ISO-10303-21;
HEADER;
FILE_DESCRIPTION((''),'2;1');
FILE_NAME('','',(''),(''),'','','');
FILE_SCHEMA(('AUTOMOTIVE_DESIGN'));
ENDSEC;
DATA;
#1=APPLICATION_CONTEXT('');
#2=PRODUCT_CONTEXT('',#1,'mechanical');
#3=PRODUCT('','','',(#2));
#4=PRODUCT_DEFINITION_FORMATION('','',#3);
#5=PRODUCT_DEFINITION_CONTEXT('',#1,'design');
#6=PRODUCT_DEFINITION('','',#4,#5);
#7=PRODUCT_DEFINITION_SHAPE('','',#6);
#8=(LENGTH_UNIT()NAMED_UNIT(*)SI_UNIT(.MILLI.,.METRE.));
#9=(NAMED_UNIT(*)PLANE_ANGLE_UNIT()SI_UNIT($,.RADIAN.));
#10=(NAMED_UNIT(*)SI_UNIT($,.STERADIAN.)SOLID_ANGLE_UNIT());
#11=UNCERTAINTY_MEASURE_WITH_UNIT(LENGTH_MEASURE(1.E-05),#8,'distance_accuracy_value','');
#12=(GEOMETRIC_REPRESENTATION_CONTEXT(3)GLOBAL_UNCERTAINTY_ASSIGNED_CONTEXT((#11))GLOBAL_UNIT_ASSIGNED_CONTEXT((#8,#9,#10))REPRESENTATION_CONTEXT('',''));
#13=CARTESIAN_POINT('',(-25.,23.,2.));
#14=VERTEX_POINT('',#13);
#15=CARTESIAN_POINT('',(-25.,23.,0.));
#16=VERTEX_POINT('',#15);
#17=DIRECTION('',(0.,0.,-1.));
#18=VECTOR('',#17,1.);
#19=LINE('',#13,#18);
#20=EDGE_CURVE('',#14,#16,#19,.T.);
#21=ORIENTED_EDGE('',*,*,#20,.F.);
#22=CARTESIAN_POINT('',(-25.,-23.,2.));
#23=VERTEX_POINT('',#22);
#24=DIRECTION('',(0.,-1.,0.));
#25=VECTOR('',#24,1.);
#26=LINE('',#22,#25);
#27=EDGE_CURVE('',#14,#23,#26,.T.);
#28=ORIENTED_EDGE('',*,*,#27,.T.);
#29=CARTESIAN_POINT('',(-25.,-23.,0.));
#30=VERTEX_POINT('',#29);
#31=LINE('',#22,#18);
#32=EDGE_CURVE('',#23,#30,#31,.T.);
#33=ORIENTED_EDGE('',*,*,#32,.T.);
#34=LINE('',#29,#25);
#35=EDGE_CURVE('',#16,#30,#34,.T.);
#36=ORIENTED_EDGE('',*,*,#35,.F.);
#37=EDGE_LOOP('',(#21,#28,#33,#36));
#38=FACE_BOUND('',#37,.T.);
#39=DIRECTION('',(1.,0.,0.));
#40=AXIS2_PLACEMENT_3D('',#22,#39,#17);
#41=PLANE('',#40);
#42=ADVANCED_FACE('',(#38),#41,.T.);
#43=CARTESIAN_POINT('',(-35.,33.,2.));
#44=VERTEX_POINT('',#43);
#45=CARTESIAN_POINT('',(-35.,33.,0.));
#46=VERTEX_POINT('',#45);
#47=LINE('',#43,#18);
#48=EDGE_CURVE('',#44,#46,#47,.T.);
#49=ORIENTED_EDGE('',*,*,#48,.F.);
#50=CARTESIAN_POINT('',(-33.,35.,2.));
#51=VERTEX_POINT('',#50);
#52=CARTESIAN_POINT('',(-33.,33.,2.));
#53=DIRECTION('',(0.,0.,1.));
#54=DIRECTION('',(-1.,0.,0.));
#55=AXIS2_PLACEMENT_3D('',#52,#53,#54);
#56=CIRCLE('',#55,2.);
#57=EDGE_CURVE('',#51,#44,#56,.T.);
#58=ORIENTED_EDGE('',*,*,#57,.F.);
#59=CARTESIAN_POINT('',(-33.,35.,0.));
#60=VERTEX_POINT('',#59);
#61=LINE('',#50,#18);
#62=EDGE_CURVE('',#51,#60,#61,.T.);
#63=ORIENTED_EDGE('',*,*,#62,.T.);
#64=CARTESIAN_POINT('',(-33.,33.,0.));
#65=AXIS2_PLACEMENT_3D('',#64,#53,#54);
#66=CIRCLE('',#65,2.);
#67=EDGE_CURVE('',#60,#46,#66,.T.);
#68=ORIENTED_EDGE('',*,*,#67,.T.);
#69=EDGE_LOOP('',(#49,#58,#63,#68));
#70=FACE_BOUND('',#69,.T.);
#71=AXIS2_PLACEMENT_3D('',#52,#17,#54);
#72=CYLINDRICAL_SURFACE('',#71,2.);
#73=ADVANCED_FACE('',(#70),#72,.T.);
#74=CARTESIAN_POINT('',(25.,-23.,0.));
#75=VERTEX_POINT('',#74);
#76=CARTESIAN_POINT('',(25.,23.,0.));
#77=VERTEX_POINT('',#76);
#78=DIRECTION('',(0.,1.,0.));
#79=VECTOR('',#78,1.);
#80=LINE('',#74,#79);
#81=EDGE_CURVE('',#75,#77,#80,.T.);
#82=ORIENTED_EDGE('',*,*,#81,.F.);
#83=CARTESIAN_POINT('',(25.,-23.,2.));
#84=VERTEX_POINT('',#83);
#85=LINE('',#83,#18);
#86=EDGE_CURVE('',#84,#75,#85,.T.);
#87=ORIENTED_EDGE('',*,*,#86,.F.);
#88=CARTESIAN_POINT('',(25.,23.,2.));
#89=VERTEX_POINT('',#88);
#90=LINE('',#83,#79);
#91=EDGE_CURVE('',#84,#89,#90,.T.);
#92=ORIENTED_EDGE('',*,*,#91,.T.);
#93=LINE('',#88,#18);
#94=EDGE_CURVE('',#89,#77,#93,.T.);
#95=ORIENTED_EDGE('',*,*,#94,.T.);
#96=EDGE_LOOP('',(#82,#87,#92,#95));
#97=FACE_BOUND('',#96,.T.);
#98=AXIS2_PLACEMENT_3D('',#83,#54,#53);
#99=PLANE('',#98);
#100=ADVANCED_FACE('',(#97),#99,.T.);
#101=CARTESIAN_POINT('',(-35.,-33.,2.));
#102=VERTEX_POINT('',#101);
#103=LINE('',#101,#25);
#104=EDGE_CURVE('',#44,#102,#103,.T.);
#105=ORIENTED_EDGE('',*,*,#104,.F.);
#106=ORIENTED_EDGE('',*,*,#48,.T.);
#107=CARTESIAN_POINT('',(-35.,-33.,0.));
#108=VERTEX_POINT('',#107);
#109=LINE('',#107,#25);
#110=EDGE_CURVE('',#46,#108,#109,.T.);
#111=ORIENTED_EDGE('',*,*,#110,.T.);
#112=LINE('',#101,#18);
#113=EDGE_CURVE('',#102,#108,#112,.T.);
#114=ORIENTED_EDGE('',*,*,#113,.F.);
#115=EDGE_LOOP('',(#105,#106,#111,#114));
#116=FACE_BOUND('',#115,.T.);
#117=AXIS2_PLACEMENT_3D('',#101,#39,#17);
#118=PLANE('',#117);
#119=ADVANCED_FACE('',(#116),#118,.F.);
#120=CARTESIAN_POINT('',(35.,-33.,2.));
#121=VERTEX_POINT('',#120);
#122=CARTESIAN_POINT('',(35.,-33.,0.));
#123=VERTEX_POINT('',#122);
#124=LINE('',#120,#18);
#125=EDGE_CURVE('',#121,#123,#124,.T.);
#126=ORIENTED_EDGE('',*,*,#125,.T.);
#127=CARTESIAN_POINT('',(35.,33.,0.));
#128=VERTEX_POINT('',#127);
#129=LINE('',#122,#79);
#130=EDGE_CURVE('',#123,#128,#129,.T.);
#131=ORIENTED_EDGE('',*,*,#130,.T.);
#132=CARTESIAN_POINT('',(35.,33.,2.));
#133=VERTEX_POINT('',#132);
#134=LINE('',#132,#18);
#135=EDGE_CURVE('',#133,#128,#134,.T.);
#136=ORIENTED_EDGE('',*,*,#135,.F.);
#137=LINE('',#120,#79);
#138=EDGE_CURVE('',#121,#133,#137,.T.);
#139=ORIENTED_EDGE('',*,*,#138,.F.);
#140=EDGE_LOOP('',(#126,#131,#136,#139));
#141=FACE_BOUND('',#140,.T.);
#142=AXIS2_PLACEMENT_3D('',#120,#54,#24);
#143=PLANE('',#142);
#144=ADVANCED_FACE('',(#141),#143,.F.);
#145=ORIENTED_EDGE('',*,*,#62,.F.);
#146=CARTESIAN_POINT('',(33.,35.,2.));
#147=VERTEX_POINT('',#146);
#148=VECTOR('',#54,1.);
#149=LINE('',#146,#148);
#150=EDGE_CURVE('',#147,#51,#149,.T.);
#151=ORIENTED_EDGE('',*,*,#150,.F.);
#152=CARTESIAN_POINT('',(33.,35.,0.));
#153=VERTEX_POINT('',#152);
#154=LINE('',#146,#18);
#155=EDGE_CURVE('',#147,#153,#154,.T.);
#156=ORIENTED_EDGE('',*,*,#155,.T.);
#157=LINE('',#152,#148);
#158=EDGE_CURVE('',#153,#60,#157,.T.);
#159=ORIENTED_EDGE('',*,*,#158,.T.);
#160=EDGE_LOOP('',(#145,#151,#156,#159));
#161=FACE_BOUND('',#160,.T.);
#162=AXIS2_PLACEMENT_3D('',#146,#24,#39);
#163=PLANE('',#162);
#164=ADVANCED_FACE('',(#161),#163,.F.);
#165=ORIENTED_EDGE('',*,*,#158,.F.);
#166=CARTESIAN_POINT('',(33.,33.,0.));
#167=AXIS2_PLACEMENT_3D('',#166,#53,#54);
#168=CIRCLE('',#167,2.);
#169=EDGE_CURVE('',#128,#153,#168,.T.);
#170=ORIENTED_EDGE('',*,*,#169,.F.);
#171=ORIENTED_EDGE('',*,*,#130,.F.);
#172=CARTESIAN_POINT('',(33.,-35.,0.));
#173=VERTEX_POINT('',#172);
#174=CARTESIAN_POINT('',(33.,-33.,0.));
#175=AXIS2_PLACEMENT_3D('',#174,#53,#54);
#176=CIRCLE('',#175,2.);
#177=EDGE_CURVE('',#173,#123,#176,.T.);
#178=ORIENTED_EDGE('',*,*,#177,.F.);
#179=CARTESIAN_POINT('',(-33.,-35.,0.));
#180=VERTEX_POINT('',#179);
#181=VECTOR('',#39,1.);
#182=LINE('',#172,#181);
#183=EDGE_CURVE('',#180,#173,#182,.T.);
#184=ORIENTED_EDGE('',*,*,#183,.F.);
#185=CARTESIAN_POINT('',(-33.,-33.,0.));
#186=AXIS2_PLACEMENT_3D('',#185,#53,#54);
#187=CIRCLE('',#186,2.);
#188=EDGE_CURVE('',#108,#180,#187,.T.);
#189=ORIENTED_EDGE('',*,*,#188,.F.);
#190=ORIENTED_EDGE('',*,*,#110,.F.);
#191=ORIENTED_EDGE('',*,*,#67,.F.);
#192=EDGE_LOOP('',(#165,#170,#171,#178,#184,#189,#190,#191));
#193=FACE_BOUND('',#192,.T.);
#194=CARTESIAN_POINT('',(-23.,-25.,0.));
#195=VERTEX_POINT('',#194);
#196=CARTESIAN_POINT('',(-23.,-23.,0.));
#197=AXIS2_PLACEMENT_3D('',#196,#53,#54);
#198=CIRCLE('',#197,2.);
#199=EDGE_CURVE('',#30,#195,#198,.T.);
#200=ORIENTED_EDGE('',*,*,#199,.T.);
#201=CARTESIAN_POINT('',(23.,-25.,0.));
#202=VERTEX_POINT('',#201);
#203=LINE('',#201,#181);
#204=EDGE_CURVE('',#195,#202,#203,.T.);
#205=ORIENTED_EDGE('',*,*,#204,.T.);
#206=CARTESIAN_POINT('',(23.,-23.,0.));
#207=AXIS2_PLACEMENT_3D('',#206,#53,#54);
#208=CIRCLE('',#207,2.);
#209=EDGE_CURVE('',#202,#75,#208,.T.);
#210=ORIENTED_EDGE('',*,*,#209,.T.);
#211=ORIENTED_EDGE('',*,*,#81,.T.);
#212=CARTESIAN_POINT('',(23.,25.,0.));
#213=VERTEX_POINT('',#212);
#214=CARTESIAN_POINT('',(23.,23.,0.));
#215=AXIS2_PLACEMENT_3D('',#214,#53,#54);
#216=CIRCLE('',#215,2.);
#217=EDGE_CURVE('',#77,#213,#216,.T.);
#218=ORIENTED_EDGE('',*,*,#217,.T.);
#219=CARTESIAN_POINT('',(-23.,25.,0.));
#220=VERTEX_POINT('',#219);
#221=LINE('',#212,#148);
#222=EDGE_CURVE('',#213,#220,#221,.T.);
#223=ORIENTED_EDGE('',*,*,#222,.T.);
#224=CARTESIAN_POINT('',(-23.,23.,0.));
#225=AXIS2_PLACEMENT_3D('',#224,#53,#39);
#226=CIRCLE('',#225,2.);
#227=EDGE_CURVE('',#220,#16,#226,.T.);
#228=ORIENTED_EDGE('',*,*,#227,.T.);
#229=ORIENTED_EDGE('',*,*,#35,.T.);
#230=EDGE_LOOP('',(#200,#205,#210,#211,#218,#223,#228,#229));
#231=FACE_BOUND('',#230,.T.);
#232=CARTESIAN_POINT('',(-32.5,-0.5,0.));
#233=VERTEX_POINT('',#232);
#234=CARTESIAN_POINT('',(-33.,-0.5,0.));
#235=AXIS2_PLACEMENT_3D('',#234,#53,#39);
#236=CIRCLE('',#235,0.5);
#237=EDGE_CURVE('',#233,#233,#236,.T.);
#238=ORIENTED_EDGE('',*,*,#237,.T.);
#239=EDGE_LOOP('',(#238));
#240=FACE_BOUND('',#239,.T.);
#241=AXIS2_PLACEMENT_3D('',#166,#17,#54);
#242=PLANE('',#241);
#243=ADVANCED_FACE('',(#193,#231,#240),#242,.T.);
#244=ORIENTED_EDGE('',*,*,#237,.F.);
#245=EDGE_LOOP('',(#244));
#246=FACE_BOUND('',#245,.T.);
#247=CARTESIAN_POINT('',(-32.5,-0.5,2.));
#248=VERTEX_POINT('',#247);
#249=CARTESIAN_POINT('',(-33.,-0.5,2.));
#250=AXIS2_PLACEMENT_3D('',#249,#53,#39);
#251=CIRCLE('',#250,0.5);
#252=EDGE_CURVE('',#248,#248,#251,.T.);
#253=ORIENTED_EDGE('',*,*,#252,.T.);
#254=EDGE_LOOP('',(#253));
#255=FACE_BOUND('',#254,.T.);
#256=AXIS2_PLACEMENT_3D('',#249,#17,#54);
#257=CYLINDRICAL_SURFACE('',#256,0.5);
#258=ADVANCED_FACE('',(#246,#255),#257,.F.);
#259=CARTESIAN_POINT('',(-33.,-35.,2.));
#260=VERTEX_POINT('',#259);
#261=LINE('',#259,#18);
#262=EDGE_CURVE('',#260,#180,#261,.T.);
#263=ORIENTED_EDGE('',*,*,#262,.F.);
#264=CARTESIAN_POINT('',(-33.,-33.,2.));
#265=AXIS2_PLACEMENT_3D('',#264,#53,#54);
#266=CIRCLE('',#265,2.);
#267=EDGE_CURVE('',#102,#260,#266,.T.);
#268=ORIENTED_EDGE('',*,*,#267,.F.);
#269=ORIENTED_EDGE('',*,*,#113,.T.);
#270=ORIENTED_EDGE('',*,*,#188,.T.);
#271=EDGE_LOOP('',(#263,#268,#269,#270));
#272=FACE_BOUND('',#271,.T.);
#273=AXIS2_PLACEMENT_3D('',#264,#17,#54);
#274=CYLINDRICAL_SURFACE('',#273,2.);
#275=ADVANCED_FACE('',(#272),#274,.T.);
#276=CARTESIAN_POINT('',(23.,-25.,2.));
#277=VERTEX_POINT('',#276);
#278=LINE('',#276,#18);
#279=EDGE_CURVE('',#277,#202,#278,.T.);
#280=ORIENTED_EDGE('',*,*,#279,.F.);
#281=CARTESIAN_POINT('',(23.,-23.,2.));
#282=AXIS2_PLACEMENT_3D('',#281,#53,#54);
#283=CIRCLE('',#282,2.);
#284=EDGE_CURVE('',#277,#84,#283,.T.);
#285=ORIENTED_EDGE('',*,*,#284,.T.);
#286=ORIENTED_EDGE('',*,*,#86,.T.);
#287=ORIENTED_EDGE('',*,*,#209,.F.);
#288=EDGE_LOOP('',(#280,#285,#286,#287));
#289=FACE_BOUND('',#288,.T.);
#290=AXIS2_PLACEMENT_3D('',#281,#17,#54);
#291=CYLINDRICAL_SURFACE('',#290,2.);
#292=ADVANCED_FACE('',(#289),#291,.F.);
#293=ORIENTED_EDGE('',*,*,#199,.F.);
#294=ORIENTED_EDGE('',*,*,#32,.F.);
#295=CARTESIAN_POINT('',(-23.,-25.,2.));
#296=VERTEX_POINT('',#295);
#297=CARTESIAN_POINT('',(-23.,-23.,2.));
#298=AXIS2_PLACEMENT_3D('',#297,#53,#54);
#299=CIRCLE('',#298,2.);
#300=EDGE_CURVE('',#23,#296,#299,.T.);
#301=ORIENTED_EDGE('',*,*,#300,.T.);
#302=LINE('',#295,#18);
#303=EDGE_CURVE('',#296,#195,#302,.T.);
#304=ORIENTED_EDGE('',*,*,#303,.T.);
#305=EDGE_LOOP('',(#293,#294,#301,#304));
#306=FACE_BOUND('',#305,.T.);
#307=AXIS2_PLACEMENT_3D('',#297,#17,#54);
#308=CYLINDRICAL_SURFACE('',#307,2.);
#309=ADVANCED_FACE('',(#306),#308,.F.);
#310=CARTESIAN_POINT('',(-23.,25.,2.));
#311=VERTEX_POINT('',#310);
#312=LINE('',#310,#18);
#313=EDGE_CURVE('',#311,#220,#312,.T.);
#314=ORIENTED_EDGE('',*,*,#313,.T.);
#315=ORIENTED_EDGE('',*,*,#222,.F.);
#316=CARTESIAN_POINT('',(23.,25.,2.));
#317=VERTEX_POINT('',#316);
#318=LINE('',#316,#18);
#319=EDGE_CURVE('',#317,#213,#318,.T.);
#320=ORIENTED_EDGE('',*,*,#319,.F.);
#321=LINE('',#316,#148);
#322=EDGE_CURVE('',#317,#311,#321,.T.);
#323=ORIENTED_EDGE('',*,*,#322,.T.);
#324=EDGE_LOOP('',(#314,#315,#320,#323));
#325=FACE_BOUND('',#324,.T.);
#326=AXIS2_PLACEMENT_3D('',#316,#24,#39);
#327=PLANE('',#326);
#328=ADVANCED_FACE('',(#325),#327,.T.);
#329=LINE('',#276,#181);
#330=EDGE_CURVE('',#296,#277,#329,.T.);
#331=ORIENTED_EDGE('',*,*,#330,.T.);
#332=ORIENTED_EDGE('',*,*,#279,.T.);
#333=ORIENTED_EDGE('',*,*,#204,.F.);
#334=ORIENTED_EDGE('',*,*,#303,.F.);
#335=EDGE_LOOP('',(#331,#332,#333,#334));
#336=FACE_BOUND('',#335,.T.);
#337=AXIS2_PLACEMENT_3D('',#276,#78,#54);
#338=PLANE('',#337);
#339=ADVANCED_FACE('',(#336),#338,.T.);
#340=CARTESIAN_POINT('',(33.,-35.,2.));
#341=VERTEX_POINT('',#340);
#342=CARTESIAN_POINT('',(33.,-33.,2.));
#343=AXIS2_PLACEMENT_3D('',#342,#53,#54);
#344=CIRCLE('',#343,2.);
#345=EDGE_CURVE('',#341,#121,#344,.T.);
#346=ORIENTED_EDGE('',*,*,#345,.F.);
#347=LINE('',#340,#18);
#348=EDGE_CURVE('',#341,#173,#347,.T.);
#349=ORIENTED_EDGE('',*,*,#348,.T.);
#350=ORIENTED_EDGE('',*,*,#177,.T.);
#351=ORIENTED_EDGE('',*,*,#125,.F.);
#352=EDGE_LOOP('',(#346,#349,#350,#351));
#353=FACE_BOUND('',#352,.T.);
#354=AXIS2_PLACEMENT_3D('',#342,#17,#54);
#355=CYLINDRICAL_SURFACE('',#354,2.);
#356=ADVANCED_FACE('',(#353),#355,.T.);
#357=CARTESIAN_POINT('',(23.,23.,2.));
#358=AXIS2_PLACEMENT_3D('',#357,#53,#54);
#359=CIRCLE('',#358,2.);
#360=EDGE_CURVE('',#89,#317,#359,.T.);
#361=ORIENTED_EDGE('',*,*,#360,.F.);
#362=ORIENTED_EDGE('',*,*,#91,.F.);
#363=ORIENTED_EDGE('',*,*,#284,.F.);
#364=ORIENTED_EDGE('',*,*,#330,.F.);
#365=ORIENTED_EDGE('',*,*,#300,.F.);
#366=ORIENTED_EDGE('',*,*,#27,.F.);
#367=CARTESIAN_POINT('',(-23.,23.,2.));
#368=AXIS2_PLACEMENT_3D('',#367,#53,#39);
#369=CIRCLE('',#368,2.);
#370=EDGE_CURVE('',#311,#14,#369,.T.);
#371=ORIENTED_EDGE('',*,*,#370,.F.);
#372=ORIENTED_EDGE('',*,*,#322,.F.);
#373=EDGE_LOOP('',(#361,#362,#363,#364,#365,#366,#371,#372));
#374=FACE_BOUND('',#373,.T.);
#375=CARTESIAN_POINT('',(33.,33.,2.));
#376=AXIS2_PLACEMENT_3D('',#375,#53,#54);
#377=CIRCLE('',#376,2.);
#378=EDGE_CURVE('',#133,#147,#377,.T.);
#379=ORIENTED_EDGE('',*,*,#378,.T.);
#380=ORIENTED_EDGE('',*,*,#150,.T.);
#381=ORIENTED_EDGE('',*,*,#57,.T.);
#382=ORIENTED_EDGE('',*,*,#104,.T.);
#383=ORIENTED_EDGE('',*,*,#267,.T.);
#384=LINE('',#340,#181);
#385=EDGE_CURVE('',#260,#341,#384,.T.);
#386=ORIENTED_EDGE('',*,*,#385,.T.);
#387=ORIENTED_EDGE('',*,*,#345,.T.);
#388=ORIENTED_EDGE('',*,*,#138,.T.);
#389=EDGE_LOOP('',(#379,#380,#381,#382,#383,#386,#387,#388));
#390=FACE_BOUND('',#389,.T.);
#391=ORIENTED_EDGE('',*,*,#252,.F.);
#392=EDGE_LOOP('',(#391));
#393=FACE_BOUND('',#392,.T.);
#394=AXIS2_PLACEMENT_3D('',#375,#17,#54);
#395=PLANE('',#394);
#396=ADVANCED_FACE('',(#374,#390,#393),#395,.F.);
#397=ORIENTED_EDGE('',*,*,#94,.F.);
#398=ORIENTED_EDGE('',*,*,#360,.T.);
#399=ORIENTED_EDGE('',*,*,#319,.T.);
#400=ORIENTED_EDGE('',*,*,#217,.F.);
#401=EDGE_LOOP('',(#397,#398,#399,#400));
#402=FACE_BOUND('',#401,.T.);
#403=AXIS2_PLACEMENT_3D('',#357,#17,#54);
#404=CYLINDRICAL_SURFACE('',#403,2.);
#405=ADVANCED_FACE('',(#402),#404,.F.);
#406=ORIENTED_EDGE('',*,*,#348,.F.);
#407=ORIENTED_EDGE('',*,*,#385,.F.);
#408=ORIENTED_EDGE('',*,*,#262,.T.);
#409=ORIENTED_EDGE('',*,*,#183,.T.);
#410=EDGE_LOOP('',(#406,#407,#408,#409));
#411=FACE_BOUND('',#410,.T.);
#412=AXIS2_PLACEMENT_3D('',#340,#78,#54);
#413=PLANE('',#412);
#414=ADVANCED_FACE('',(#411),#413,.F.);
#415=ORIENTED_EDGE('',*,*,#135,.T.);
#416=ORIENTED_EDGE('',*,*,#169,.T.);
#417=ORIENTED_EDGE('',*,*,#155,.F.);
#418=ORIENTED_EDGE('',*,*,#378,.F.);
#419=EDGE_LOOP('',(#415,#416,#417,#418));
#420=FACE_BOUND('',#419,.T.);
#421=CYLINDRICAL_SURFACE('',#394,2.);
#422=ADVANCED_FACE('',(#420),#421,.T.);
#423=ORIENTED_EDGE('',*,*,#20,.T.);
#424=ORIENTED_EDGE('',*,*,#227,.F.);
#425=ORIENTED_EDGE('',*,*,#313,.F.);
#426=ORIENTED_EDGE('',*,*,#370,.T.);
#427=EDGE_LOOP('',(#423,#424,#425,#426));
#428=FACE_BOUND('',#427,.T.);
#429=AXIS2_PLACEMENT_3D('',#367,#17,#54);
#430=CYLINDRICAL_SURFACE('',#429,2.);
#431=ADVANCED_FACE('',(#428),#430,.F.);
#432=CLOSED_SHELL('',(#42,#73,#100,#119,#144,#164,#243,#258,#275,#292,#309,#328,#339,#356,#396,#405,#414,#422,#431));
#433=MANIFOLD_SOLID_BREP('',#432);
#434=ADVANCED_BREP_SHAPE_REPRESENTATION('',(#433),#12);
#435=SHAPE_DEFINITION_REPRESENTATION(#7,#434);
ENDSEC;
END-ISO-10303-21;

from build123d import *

# Parameters (mm, degrees)
EXTRUDE_1_DEPTH     = 2
SKETCH_2_R          = 0.5
CUT_EXTRUDE_3_DEPTH = 2


with BuildPart() as part:
    # Эскиз1 → Бобышка-Вытянуть1 (new body)
    with BuildSketch(Plane.XY):
        with BuildLine():
            Line((33, -35), (-33, -35))
            ThreePointArc((-33, -35), (-34.414213562, -34.414213562), (-35, -33))
            Line((-35, -33), (-35, 33))
            ThreePointArc((-35, 33), (-34.414213562, 34.414213562), (-33, 35))
            Line((-33, 35), (33, 35))
            ThreePointArc((33, 35), (34.414213562, 34.414213562), (35, 33))
            Line((35, 33), (35, -33))
            ThreePointArc((35, -33), (34.414213562, -34.414213562), (33, -35))
        make_face()
        with BuildLine():
            Line((23, -25), (-23, -25))
            ThreePointArc((-23, -25), (-24.414213562, -24.414213562), (-25, -23))
            Line((-25, -23), (-25, 23))
            ThreePointArc((-25, 23), (-24.414213562, 24.414213562), (-23, 25))
            Line((-23, 25), (23, 25))
            ThreePointArc((23, 25), (24.414213562, 24.414213562), (25, 23))
            Line((25, 23), (25, -23))
            ThreePointArc((25, -23), (24.414213562, -24.414213562), (23, -25))
        make_face(mode=Mode.SUBTRACT)
    extrude(amount=EXTRUDE_1_DEPTH)

    # Эскиз2 → Вырез-Вытянуть3 (cut)
    with BuildSketch(Plane.XY):
        with Locations((-33, -0.5)):
            Circle(SKETCH_2_R)
    extrude(amount=CUT_EXTRUDE_3_DEPTH, mode=Mode.SUBTRACT)


solid = part.part
